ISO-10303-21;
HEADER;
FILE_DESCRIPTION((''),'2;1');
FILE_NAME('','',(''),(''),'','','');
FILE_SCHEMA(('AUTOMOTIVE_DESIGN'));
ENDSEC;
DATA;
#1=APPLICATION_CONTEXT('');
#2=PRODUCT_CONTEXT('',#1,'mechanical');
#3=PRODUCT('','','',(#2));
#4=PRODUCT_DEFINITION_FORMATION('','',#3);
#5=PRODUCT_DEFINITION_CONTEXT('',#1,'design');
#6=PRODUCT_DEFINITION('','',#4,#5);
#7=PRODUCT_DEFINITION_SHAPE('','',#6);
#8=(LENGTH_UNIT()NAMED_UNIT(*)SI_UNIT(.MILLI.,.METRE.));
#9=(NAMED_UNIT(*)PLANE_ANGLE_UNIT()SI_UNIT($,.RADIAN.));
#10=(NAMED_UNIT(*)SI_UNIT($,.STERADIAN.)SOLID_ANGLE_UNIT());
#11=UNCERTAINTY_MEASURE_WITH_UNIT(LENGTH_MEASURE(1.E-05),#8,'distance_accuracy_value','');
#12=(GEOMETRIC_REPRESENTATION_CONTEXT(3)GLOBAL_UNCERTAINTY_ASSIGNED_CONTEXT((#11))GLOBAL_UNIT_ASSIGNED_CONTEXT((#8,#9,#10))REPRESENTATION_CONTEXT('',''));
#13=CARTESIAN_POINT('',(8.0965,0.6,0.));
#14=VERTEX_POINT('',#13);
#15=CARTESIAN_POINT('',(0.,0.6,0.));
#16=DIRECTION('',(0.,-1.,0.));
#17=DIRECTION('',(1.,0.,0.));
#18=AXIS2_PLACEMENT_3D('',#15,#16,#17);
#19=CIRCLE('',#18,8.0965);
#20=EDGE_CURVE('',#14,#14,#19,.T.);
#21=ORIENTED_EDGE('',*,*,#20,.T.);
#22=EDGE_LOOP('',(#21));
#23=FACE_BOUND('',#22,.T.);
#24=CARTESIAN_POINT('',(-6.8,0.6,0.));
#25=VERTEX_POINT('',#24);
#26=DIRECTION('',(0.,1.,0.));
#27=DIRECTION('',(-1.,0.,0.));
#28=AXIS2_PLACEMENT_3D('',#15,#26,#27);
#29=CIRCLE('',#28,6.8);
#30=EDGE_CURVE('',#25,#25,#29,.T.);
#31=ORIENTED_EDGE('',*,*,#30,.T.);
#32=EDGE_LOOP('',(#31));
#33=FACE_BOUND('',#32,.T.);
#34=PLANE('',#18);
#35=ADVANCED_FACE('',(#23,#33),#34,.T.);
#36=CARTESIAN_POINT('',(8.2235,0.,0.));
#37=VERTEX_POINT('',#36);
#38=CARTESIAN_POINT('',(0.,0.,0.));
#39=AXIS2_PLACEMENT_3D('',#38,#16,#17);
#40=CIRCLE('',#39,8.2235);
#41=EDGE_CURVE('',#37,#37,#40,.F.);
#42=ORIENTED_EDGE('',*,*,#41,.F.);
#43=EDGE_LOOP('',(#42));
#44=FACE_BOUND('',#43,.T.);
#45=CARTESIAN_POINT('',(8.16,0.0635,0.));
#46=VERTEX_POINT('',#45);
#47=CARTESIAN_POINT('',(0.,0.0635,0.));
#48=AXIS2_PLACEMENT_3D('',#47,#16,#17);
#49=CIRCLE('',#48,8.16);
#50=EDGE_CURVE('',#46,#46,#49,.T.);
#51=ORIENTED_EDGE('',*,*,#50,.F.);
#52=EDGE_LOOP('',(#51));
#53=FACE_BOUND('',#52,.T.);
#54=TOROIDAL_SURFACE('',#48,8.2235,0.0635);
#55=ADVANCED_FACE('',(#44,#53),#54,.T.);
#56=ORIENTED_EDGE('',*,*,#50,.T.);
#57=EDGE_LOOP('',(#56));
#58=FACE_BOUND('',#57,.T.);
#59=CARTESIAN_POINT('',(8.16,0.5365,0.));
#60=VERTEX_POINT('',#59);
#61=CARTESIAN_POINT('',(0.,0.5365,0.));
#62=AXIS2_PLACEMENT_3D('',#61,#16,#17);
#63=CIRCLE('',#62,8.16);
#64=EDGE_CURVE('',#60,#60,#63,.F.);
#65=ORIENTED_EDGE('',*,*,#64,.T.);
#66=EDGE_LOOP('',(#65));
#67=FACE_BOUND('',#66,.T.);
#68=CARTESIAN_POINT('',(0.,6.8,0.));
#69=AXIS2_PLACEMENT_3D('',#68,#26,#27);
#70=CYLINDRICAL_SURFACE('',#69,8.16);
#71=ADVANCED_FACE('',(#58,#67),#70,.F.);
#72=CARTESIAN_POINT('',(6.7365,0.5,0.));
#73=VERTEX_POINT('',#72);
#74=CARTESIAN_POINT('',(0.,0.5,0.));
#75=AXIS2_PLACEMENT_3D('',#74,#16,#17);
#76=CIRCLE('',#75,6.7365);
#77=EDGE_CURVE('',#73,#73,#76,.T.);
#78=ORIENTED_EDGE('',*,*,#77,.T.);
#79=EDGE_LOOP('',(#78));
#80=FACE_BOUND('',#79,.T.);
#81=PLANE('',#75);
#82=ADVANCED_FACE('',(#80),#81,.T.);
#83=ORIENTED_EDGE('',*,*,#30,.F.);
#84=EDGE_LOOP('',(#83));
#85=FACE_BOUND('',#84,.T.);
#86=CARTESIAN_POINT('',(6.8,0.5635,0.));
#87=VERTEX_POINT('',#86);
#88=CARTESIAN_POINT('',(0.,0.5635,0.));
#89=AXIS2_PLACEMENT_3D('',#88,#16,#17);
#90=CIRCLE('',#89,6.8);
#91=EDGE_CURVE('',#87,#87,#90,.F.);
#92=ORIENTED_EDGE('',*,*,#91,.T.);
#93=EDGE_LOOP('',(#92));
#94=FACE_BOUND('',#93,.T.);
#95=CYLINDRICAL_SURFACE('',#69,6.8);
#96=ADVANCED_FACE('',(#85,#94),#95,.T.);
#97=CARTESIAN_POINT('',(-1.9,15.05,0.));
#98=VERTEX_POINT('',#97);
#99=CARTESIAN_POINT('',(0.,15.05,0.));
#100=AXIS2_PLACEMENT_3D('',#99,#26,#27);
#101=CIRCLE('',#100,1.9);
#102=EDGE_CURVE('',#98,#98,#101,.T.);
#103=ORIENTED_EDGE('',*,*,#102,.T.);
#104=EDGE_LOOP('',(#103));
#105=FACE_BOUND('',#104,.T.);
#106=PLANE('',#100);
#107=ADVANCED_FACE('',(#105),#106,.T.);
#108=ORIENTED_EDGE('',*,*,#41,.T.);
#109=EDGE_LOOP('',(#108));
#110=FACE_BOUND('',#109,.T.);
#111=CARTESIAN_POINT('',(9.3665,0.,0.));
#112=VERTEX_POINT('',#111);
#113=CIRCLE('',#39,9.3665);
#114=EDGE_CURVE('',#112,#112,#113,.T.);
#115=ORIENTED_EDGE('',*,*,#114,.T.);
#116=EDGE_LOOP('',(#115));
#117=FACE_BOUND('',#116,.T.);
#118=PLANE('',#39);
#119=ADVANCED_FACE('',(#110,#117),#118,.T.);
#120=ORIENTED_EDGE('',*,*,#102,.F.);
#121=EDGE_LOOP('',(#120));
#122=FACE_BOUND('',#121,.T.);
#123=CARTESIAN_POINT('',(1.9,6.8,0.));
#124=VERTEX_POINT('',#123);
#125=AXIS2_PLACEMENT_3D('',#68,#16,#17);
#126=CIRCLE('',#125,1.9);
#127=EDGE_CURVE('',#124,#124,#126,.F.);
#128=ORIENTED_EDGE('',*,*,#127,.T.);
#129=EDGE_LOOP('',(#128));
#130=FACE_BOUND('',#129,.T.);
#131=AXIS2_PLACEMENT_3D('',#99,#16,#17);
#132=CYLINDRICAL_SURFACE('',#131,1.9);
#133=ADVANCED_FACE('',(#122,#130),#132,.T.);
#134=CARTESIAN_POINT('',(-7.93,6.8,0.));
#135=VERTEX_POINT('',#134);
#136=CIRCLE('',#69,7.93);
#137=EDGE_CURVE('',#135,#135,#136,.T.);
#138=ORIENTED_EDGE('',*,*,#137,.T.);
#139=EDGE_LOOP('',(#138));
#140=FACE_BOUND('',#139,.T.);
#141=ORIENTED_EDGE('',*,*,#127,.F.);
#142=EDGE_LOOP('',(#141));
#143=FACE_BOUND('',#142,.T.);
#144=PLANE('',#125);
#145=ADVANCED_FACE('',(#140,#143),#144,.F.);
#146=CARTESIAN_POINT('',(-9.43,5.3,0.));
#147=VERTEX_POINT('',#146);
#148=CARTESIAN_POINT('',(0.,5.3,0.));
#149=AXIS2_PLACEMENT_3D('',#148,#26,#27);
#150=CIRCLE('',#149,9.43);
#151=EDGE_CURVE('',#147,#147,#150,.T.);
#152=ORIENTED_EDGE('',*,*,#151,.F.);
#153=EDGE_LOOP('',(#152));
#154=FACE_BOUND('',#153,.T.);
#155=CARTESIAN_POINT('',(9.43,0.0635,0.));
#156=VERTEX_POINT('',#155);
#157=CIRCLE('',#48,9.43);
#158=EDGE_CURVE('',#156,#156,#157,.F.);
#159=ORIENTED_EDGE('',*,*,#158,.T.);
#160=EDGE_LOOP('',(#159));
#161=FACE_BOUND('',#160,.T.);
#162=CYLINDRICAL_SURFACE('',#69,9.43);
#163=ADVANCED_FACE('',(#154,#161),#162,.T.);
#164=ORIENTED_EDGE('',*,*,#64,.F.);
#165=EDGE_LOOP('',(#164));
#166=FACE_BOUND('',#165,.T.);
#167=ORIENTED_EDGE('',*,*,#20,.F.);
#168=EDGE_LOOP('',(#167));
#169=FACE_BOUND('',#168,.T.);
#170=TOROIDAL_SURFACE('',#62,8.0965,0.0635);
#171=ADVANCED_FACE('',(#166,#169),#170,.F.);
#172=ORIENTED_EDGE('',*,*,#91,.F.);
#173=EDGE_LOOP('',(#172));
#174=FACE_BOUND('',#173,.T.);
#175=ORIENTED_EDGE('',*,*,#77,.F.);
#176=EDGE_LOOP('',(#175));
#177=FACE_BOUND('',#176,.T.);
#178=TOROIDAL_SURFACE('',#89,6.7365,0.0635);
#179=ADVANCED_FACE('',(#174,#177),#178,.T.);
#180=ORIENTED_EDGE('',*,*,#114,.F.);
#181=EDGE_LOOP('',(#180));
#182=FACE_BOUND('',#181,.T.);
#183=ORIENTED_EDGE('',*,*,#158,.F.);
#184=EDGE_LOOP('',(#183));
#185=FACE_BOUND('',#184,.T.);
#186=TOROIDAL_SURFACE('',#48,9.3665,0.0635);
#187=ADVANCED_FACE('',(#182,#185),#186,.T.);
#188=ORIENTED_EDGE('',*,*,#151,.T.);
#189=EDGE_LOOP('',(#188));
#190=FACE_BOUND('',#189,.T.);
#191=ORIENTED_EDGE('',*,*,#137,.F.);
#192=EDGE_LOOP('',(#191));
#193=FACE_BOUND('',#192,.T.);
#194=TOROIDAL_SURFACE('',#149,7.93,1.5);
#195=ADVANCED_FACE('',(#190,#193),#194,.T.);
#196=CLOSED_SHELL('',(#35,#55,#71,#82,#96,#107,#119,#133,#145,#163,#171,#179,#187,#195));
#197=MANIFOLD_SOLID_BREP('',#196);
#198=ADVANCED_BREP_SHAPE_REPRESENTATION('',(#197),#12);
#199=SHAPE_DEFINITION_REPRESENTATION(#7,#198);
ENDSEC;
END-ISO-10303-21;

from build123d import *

# Parameters (mm, degrees)
SKETCH2_R           = 1.9
BOSS_EXTRUDE1_DEPTH = 8.25
FILLET1_R           = 0.0635


with BuildPart() as part:
    # Sketch1 → Revolve1 (revolve)
    with BuildSketch(Plane.XY):
        with BuildLine():
            Line((-9.43, 0), (-8.16, 0))
            Line((-8.16, 0), (-8.16, 0.6))
            Line((-8.16, 0.6), (-6.8, 0.6))
            Line((-6.8, 0.6), (-6.8, 0.5))
            Line((-6.8, 0.5), (0, 0.5))
            Line((0, 0.5), (0, 6.8))
            Line((0, 6.8), (-7.93, 6.8))
            ThreePointArc((-7.93, 6.8), (-8.990660172, 6.360660172), (-9.43, 5.3))
            Line((-9.43, 5.3), (-9.43, 0))
        make_face()
    revolve(axis=Axis((0, 6.8, 0), (0, -1, 0)))

    # Sketch2 → Boss-Extrude1 (add)
    with BuildSketch(Plane(origin=(0, 6.8, 0), x_dir=(1, 0, 0), z_dir=(0, 1, 0))):
        Circle(SKETCH2_R)
    extrude(amount=BOSS_EXTRUDE1_DEPTH)

    # Fillet1
    fillet1_edges = [part.edges().sort_by_distance(p)[0] for p in [
        (8.16, 0.6, 0),
        (8.16, 0, 0),
        (9.43, 0, 0),
        (6.8, 0.5, 0),
    ]]
    fillet(fillet1_edges, radius=FILLET1_R)


solid = part.part
